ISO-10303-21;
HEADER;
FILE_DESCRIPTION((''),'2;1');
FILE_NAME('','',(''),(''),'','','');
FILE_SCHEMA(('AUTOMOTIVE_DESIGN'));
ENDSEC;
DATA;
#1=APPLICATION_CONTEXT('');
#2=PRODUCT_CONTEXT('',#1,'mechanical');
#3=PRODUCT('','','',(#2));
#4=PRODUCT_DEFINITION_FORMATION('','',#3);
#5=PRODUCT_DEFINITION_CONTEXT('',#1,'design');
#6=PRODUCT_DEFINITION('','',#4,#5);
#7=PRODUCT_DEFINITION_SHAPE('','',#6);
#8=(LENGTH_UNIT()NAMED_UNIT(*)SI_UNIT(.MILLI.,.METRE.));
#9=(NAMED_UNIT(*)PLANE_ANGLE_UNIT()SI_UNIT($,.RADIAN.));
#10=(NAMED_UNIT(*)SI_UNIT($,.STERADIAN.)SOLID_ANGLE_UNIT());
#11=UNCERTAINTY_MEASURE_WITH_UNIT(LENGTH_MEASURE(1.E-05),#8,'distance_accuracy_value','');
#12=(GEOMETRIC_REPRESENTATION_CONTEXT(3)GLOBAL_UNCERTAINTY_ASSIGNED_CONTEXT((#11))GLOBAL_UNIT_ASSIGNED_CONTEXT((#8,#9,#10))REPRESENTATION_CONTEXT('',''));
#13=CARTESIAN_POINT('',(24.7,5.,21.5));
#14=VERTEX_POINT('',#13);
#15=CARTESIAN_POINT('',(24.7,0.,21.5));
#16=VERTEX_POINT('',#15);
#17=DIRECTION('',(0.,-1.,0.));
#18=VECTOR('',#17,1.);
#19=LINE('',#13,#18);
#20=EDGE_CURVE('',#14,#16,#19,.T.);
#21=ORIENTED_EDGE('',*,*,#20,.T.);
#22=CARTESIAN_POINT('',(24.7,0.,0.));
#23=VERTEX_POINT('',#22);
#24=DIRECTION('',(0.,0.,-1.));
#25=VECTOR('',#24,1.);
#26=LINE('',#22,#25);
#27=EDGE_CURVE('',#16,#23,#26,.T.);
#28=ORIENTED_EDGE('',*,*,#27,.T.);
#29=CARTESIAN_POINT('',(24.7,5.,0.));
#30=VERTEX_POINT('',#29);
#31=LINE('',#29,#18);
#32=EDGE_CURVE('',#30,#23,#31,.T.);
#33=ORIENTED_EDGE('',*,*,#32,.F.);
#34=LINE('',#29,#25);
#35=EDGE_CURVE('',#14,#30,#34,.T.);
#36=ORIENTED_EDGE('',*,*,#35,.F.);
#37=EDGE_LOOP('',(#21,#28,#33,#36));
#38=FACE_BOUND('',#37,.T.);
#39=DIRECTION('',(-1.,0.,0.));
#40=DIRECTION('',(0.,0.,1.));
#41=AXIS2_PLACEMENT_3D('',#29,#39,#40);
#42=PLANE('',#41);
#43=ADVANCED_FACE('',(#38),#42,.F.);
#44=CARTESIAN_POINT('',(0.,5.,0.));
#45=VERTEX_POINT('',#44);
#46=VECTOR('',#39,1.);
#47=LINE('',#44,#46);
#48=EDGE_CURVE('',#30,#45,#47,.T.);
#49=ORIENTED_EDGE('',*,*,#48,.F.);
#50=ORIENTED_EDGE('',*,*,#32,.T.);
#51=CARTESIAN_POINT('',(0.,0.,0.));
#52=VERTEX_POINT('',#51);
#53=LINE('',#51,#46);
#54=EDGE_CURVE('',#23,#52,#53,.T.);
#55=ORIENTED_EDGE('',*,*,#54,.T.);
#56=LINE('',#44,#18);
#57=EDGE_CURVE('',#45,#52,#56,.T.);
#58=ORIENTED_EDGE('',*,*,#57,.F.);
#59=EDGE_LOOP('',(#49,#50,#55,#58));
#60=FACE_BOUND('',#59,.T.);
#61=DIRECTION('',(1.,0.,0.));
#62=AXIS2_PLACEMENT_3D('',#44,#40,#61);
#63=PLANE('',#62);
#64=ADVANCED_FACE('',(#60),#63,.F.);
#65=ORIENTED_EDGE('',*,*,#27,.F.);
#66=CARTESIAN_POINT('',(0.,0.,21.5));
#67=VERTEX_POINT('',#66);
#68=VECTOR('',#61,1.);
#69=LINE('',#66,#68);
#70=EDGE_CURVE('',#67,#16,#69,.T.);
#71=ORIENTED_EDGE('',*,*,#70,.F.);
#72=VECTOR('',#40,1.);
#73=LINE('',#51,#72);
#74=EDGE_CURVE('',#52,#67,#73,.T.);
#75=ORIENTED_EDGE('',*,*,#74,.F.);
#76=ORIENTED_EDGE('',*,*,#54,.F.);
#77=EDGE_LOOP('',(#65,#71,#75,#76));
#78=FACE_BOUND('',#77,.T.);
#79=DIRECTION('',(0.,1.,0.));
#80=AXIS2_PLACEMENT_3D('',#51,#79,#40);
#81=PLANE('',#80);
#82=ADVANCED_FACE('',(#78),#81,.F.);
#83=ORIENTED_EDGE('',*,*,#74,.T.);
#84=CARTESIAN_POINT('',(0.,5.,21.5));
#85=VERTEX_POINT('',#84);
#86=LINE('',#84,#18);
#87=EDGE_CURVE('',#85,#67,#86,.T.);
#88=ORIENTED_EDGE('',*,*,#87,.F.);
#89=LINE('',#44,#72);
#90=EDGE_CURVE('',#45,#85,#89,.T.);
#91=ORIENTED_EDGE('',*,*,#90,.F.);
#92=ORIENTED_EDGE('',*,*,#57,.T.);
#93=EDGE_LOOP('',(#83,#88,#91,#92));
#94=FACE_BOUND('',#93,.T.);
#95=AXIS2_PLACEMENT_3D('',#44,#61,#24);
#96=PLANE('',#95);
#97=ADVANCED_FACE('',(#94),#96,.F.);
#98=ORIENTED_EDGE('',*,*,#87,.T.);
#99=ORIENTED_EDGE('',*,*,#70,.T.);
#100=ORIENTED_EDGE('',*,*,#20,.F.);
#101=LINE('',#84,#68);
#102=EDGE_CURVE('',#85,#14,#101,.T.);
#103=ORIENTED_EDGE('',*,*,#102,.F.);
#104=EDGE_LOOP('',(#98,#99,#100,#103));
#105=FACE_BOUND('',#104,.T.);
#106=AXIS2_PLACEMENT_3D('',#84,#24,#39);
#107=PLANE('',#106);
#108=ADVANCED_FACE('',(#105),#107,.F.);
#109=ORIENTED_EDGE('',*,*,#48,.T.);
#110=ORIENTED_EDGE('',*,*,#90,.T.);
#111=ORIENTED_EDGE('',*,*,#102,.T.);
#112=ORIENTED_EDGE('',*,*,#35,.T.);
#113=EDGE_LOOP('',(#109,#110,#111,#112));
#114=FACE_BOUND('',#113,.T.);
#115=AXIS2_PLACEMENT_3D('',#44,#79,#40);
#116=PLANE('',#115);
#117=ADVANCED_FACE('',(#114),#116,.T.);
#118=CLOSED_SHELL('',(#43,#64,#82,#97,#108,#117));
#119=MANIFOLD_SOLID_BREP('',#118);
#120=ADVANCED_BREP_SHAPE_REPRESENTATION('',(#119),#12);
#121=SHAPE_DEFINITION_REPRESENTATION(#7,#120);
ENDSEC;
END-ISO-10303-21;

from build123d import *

# Parameters (mm, degrees)
SKETCH_1_W      = 24.7
SKETCH_1_H      = 21.5
EXTRUDE_1_DEPTH = 5


with BuildPart() as part:
    # 草图1 → 凸台-拉伸1 (new body)
    with BuildSketch(Plane(origin=(0, 0, 0), x_dir=(1, 0, 0), z_dir=(0, 1, 0))):
        with Locations((12.35, -10.75)):
            Rectangle(SKETCH_1_W, SKETCH_1_H)
    extrude(amount=EXTRUDE_1_DEPTH)


solid = part.part
